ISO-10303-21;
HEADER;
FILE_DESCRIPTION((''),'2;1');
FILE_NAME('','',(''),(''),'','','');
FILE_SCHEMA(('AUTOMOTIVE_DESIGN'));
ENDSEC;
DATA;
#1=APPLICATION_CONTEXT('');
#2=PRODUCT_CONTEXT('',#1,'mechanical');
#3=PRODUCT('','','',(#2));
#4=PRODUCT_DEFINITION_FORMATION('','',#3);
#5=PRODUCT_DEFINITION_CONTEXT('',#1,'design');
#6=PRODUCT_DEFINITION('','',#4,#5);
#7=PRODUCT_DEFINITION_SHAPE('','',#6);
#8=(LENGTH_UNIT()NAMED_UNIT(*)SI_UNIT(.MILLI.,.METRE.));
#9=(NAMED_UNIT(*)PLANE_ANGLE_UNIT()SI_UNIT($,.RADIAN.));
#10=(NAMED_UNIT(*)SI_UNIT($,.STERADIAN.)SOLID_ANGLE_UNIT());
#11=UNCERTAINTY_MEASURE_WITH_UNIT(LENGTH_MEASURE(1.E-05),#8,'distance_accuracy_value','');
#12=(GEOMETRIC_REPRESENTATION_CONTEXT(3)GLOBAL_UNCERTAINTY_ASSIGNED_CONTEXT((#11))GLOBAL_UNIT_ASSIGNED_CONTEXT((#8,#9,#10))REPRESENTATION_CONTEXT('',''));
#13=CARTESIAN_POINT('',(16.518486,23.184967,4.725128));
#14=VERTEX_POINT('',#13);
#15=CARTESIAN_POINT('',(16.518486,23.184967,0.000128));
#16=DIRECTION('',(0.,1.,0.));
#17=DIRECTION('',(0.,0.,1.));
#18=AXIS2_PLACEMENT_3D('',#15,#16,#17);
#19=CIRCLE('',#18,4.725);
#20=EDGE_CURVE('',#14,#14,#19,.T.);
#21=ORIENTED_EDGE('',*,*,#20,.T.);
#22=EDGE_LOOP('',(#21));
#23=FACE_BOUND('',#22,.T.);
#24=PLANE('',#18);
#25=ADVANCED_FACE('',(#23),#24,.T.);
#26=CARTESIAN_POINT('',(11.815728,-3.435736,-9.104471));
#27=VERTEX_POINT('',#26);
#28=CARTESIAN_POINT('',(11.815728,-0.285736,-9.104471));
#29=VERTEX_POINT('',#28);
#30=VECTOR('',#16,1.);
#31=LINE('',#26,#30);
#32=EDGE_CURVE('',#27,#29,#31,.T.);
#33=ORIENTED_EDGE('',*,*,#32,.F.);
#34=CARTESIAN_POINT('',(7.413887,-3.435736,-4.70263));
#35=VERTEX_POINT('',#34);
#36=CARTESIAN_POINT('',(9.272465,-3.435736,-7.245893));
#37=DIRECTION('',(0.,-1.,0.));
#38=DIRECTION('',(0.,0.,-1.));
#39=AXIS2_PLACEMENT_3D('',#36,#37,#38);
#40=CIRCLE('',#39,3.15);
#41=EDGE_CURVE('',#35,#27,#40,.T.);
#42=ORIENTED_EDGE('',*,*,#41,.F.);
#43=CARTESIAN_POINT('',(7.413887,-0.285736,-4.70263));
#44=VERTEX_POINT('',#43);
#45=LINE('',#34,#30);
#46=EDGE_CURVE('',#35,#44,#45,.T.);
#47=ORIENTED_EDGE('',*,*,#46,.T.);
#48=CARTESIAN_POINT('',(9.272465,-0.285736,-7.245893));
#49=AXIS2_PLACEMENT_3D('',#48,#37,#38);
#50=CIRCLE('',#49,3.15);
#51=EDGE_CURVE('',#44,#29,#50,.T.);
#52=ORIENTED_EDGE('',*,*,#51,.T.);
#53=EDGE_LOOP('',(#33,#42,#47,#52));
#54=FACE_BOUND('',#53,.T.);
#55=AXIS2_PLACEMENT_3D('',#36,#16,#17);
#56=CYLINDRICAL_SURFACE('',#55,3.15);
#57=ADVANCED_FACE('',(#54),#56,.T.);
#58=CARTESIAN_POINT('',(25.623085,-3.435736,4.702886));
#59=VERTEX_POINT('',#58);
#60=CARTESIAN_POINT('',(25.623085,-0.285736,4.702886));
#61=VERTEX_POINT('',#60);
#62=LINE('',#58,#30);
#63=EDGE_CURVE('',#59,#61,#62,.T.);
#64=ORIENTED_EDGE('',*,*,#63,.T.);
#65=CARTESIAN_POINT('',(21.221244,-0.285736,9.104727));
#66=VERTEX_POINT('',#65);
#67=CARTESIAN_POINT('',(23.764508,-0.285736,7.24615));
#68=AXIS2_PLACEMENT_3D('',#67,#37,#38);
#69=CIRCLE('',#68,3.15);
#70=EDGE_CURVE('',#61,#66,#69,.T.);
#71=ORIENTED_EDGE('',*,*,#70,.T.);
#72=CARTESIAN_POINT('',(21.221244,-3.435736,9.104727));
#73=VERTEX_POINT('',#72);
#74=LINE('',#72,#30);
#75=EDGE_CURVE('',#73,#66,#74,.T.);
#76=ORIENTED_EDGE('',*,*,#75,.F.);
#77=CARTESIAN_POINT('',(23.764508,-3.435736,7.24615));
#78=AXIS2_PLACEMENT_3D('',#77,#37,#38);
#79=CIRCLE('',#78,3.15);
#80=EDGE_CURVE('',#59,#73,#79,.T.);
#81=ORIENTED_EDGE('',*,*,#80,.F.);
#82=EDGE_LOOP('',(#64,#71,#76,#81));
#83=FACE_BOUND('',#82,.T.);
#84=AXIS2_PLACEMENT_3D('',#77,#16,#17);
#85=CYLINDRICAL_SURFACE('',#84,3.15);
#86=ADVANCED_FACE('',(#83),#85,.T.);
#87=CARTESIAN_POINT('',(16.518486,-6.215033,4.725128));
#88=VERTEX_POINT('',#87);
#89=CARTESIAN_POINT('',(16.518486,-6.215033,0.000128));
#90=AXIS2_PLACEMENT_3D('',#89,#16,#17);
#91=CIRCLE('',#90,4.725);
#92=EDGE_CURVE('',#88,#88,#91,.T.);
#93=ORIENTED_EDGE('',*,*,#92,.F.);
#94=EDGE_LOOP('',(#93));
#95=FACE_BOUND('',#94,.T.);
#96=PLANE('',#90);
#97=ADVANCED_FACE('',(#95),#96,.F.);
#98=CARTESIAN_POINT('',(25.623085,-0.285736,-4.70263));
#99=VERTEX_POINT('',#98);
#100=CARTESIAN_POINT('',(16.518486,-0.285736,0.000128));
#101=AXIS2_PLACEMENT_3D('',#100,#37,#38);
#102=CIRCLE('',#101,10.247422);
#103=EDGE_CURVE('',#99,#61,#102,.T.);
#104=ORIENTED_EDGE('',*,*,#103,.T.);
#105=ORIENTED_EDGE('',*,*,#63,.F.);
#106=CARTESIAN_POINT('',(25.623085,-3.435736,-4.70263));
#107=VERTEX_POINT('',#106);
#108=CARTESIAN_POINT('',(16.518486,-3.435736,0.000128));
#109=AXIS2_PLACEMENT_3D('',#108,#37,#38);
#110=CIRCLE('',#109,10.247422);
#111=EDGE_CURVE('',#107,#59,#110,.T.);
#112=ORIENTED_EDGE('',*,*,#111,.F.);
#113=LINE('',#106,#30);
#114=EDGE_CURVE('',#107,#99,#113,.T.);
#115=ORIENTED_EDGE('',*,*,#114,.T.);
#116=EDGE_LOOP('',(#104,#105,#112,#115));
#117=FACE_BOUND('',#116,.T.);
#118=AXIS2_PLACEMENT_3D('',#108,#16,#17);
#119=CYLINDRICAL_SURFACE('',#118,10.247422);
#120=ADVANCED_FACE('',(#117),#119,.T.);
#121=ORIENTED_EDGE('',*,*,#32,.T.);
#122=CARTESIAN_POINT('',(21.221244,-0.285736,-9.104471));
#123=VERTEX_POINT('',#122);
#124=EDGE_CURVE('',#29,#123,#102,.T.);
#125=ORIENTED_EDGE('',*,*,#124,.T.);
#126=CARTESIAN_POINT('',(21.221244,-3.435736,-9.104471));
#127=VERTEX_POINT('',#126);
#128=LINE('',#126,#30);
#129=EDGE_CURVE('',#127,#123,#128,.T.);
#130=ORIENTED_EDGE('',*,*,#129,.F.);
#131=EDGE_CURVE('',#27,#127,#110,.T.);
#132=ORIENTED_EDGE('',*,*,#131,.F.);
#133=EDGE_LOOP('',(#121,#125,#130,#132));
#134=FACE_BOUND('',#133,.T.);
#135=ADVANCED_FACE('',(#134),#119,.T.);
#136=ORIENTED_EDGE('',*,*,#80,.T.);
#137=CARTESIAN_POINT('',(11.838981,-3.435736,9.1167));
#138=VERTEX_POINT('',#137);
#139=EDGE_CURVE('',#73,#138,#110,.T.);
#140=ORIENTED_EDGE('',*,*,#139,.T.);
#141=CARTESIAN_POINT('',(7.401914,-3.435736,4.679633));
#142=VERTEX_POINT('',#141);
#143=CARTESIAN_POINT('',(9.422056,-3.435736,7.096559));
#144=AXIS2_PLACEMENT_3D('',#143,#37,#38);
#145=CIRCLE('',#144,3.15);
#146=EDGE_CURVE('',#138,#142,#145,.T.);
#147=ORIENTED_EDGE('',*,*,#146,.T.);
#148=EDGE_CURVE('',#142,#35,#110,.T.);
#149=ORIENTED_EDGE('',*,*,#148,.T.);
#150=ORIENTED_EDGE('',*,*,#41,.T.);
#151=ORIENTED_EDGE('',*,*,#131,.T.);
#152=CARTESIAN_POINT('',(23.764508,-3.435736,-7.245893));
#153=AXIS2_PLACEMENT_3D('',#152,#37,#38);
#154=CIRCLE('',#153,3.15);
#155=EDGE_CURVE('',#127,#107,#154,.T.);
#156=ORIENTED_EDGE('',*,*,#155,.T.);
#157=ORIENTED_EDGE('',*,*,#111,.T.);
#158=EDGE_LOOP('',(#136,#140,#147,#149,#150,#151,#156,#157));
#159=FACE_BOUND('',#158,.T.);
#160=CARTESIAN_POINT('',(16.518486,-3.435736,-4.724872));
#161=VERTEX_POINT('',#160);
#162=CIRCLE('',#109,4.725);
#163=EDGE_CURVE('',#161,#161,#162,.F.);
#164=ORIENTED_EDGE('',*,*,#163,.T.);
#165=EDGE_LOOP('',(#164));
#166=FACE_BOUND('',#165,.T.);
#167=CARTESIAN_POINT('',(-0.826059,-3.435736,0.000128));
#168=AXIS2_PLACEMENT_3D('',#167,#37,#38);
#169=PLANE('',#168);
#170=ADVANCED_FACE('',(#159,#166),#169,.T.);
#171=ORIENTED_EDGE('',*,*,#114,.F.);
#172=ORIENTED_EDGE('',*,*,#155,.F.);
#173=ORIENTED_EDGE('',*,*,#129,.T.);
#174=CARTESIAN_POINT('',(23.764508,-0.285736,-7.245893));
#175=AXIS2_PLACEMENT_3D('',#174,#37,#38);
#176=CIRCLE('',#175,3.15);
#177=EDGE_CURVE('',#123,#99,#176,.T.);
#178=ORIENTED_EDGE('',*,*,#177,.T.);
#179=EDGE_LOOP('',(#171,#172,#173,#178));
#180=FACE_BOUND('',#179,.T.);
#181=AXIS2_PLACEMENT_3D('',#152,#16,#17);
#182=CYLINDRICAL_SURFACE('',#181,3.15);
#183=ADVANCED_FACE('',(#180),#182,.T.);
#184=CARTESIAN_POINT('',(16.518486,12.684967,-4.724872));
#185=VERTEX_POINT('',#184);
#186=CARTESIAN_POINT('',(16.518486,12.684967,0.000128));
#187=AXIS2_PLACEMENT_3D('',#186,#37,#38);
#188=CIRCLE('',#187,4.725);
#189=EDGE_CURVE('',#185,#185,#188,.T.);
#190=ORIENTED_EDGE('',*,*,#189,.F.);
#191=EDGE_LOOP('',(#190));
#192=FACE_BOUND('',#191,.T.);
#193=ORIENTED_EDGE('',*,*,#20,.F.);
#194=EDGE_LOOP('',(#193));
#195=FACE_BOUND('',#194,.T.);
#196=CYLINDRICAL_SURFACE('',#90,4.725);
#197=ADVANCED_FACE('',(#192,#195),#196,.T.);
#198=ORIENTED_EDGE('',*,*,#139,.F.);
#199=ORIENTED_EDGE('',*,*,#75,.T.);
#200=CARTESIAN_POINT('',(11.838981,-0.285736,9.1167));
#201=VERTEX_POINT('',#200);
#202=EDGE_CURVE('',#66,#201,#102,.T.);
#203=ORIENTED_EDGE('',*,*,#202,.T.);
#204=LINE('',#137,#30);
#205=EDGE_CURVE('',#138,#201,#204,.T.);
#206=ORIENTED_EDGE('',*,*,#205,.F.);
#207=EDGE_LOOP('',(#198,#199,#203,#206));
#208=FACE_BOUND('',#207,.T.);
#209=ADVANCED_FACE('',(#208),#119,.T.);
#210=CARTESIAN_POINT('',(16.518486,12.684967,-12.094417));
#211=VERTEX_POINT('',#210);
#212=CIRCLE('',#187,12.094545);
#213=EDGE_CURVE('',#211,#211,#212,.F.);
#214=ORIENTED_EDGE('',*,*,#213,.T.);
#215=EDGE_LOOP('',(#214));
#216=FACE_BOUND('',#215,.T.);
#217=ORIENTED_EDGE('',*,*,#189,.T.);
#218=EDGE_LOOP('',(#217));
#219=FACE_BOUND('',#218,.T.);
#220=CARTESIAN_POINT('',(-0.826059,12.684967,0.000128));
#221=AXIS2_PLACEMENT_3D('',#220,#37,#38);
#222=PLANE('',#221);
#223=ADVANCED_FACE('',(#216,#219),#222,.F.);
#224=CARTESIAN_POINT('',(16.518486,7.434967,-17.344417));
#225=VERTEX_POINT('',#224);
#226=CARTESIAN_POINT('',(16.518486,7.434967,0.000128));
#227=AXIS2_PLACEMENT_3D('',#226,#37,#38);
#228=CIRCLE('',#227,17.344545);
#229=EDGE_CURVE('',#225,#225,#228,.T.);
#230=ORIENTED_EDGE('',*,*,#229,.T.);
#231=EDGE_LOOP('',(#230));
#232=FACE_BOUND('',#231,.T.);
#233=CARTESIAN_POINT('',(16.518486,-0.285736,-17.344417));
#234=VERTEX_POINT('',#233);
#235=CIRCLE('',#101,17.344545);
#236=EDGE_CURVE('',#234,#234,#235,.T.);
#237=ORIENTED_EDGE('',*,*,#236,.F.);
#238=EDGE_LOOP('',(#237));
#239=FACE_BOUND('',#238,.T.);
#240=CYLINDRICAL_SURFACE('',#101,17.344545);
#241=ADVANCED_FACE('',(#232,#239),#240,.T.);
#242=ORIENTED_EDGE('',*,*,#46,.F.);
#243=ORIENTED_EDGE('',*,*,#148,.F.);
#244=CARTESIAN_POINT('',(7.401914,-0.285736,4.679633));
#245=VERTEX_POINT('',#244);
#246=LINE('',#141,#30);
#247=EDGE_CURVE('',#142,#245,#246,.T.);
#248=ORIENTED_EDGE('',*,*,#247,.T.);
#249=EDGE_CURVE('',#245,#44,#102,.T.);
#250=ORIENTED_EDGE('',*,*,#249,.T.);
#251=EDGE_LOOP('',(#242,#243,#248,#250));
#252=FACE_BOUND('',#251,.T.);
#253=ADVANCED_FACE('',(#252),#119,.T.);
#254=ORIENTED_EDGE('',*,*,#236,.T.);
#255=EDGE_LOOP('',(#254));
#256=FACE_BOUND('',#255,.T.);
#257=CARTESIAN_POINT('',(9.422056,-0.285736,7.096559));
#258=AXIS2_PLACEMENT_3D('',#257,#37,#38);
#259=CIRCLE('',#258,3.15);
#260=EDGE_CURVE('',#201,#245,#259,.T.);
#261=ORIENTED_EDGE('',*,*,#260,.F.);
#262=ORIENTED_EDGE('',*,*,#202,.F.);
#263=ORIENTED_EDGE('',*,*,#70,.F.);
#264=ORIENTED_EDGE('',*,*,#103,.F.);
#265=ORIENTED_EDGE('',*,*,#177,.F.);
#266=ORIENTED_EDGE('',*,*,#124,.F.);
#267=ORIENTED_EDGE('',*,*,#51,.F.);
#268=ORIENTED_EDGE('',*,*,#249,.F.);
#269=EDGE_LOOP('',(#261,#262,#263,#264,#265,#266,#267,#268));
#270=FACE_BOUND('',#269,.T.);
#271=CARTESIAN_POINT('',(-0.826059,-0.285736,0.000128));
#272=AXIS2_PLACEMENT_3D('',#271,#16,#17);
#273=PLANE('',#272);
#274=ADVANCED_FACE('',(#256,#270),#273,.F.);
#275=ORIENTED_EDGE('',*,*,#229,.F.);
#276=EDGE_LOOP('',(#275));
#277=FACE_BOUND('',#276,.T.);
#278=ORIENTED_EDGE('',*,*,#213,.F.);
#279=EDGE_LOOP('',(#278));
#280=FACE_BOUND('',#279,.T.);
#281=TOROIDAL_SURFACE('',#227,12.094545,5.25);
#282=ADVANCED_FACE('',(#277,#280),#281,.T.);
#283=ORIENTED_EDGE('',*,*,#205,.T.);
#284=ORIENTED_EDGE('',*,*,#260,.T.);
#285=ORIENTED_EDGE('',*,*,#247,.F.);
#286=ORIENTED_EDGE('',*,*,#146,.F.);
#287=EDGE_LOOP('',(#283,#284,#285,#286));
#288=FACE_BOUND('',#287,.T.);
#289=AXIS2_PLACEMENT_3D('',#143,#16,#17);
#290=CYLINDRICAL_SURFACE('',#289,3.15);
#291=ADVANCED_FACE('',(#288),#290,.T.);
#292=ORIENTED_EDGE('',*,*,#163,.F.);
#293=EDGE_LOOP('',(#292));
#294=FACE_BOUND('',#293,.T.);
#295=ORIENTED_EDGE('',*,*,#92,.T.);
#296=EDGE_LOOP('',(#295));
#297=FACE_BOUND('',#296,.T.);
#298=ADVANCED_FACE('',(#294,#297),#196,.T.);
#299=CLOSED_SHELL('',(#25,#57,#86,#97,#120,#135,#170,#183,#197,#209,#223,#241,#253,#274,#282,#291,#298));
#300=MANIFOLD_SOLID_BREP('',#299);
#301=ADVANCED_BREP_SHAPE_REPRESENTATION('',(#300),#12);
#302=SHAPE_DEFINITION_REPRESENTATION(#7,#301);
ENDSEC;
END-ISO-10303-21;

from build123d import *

# Parameters (mm, degrees)
SKETCH1_W                = 16.518614554
SKETCH1_H                = 12.353050884
BOSS_EXTRUDE1_DEPTH      = 10
BOSS_EXTRUDE1_DEPTH_BACK = 18
SKETCH3_R                = 4.5
FILLET1_R                = 5
SKETCH4_R                = 9.759449404
SKETCH4_R_2              = 3
BOSS_EXTRUDE2_DEPTH      = 3
SCALE2_SCALE             = 1.5
SCALE3_SCALE             = 0.7


with BuildPart() as part:
    # Sketch1 → Revolve1 (revolve)
    with BuildSketch(Plane.XY, mode=Mode.PRIVATE) as revolve1_sk:
        with Locations((8.259307277, 6.176525442)):
            Rectangle(SKETCH1_W, SKETCH1_H)
    revolve(revolve1_sk.sketch.rotate(Axis((16.518614554, 0, 0), (0, 1, 0)), 270), axis=Axis((16.518614554, 0, 0), (0, 1, 0)))

    # Sketch3 → Boss-Extrude1 (add, two sides: drawn at the far end of the back side and taken through both)
    with BuildSketch(Plane(origin=(0, 12.353050884, 0), x_dir=(1, 0, 0), z_dir=(0, 1, 0)).offset(-BOSS_EXTRUDE1_DEPTH_BACK)):
        with Locations(Location((16.518614554, 0, 0), (0, 0, 270))):
            Circle(SKETCH3_R)
    extrude(amount=BOSS_EXTRUDE1_DEPTH + BOSS_EXTRUDE1_DEPTH_BACK)

    # Fillet1
    fillet1_edges = [part.edges().sort_by_distance(p)[0] for p in [
        (16.518614554, 12.353050884, 16.518614554),
    ]]
    fillet(fillet1_edges, radius=FILLET1_R)

    # Sketch4 → Boss-Extrude2 (add)
    with BuildSketch(Plane.XZ):
        with BuildLine():
            Line((11.738962044, -4.77965251), (16.518614554, 0))
            Line((16.518614554, 0), (11.881429434, 4.637185121))
            ThreePointArc((11.881429434, 4.637185121), (9.893846238, 3.761487884), (7.836164974, 4.456671622))
            ThreePointArc((7.836164974, 4.456671622), (6.759173098, -0.012454385), (7.847567883, -4.478817062))
            ThreePointArc((7.847567883, -4.478817062), (9.848875397, -3.909897633), (11.738962044, -4.77965251))
        make_face()
        with BuildLine():
            Line((21.298267065, 4.77965251), (16.518614554, 0))
            Line((16.518614554, 0), (21.298267065, -4.77965251))
            ThreePointArc((21.298267065, -4.77965251), (23.188353712, -3.909897633), (25.189661226, -4.478817062))
            ThreePointArc((25.189661226, -4.478817062), (26.002060498, -2.304583627), (26.278063958, 0))
            ThreePointArc((26.278063958, 0), (26.002060498, 2.304583627), (25.189661226, 4.478817062))
            ThreePointArc((25.189661226, 4.478817062), (23.188353712, 3.909897633), (21.298267065, 4.77965251))
        make_face()
        with BuildLine():
            Line((11.881429434, 4.637185121), (16.518614554, 0))
            Line((16.518614554, 0), (21.298267065, 4.77965251))
            ThreePointArc((21.298267065, 4.77965251), (20.428512187, 6.669739158), (20.997431617, 8.671046672))
            ThreePointArc((20.997431617, 8.671046672), (16.53106894, 9.759441457), (12.061942933, 8.68244958))
            ThreePointArc((12.061942933, 8.68244958), (12.580171282, 7.781857425), (12.76010909, 6.758505464))
            ThreePointArc((12.76010909, 6.758505464), (12.531747688, 5.610455167), (11.881429434, 4.637185121))
        make_face()
        with BuildLine():
            Line((21.298267065, -4.77965251), (16.518614554, 0))
            Line((16.518614554, 0), (11.738962044, -4.77965251))
            ThreePointArc((11.738962044, -4.77965251), (12.389280298, -5.752922557), (12.6176417, -6.900972854))
            ThreePointArc((12.6176417, -6.900972854), (12.469524182, -7.831975707), (12.039797492, -8.671046672))
            ThreePointArc((12.039797492, -8.671046672), (16.518614554, -9.759449404), (20.997431617, -8.671046672))
            ThreePointArc((20.997431617, -8.671046672), (20.428512187, -6.669739158), (21.298267065, -4.77965251))
        make_face()
        with Locations((16.518614554, 0)):
            Circle(SKETCH4_R)
        with Locations((9.6176417, -6.900972854)):
            Circle(SKETCH4_R_2)
        with BuildLine():
            ThreePointArc((12.6176417, -6.900972854), (12.389280298, -5.752922557), (11.738962044, -4.77965251))
            Line((11.738962044, -4.77965251), (9.6176417, -6.900972854))
            ThreePointArc((9.6176417, -6.900972854), (10.760299266, -7.879635632), (12.039797492, -8.671046672))
            ThreePointArc((12.039797492, -8.671046672), (12.469524182, -7.831975707), (12.6176417, -6.900972854))
        make_face()
        with BuildLine():
            Line((9.6176417, -6.900972854), (11.738962044, -4.77965251))
            ThreePointArc((11.738962044, -4.77965251), (9.848875397, -3.909897633), (7.847567883, -4.478817062))
            ThreePointArc((7.847567883, -4.478817062), (8.638978922, -5.758315289), (9.6176417, -6.900972854))
        make_face()
        with Locations((9.76010909, 6.758505464)):
            Circle(SKETCH4_R_2)
        with BuildLine():
            Line((11.881429434, 4.637185121), (13.336634039, 3.181980515))
            ThreePointArc((13.336634039, 3.181980515), (16.518614554, 4.5), (19.70059507, 3.181980515))
            Line((19.70059507, 3.181980515), (21.298267065, 4.77965251))
            ThreePointArc((21.298267065, 4.77965251), (20.428512187, 6.669739158), (20.997431617, 8.671046672))
            ThreePointArc((20.997431617, 8.671046672), (16.53106894, 9.759441457), (12.061942933, 8.68244958))
            ThreePointArc((12.061942933, 8.68244958), (12.580171282, 7.781857425), (12.76010909, 6.758505464))
            ThreePointArc((12.76010909, 6.758505464), (12.531747688, 5.610455167), (11.881429434, 4.637185121))
        make_face()
        with Locations((23.419587408, 6.900972854)):
            Circle(SKETCH4_R_2)
        with BuildLine():
            Line((23.419587408, 6.900972854), (21.298267065, 4.77965251))
            ThreePointArc((21.298267065, 4.77965251), (23.188353712, 3.909897633), (25.189661226, 4.478817062))
            ThreePointArc((25.189661226, 4.478817062), (24.398250187, 5.758315289), (23.419587408, 6.900972854))
        make_face()
        with BuildLine():
            ThreePointArc((20.997431617, 8.671046672), (20.428512187, 6.669739158), (21.298267065, 4.77965251))
            Line((21.298267065, 4.77965251), (23.419587408, 6.900972854))
            ThreePointArc((23.419587408, 6.900972854), (22.276929843, 7.879635632), (20.997431617, 8.671046672))
        make_face()
        with Locations((23.419587408, -6.900972854)):
            Circle(SKETCH4_R_2)
        with BuildLine():
            Line((23.419587408, -6.900972854), (21.298267065, -4.77965251))
            ThreePointArc((21.298267065, -4.77965251), (20.428512187, -6.669739158), (20.997431617, -8.671046672))
            ThreePointArc((20.997431617, -8.671046672), (22.276929843, -7.879635632), (23.419587408, -6.900972854))
        make_face()
        with BuildLine():
            ThreePointArc((25.189661226, -4.478817062), (23.188353712, -3.909897633), (21.298267065, -4.77965251))
            Line((21.298267065, -4.77965251), (23.419587408, -6.900972854))
            ThreePointArc((23.419587408, -6.900972854), (24.398250187, -5.758315289), (25.189661226, -4.478817062))
        make_face()
    extrude(amount=BOSS_EXTRUDE2_DEPTH)


with BuildPart() as part_1:
    # Scale2: scaled about (16.521177645, 5.714728263, -0.002563091)
    add(part.part.scale(SCALE2_SCALE).moved(Location((-8.260588823, -2.857364131, 0.001281545))))


with BuildPart() as part_2:
    # Scale3: scaled about (16.521177645, 5.714728263, -0.002563091)
    add(part_1.part.scale(SCALE3_SCALE).moved(Location((4.956353294, 1.714418479, -0.000768927))))


solid = part_2.part
